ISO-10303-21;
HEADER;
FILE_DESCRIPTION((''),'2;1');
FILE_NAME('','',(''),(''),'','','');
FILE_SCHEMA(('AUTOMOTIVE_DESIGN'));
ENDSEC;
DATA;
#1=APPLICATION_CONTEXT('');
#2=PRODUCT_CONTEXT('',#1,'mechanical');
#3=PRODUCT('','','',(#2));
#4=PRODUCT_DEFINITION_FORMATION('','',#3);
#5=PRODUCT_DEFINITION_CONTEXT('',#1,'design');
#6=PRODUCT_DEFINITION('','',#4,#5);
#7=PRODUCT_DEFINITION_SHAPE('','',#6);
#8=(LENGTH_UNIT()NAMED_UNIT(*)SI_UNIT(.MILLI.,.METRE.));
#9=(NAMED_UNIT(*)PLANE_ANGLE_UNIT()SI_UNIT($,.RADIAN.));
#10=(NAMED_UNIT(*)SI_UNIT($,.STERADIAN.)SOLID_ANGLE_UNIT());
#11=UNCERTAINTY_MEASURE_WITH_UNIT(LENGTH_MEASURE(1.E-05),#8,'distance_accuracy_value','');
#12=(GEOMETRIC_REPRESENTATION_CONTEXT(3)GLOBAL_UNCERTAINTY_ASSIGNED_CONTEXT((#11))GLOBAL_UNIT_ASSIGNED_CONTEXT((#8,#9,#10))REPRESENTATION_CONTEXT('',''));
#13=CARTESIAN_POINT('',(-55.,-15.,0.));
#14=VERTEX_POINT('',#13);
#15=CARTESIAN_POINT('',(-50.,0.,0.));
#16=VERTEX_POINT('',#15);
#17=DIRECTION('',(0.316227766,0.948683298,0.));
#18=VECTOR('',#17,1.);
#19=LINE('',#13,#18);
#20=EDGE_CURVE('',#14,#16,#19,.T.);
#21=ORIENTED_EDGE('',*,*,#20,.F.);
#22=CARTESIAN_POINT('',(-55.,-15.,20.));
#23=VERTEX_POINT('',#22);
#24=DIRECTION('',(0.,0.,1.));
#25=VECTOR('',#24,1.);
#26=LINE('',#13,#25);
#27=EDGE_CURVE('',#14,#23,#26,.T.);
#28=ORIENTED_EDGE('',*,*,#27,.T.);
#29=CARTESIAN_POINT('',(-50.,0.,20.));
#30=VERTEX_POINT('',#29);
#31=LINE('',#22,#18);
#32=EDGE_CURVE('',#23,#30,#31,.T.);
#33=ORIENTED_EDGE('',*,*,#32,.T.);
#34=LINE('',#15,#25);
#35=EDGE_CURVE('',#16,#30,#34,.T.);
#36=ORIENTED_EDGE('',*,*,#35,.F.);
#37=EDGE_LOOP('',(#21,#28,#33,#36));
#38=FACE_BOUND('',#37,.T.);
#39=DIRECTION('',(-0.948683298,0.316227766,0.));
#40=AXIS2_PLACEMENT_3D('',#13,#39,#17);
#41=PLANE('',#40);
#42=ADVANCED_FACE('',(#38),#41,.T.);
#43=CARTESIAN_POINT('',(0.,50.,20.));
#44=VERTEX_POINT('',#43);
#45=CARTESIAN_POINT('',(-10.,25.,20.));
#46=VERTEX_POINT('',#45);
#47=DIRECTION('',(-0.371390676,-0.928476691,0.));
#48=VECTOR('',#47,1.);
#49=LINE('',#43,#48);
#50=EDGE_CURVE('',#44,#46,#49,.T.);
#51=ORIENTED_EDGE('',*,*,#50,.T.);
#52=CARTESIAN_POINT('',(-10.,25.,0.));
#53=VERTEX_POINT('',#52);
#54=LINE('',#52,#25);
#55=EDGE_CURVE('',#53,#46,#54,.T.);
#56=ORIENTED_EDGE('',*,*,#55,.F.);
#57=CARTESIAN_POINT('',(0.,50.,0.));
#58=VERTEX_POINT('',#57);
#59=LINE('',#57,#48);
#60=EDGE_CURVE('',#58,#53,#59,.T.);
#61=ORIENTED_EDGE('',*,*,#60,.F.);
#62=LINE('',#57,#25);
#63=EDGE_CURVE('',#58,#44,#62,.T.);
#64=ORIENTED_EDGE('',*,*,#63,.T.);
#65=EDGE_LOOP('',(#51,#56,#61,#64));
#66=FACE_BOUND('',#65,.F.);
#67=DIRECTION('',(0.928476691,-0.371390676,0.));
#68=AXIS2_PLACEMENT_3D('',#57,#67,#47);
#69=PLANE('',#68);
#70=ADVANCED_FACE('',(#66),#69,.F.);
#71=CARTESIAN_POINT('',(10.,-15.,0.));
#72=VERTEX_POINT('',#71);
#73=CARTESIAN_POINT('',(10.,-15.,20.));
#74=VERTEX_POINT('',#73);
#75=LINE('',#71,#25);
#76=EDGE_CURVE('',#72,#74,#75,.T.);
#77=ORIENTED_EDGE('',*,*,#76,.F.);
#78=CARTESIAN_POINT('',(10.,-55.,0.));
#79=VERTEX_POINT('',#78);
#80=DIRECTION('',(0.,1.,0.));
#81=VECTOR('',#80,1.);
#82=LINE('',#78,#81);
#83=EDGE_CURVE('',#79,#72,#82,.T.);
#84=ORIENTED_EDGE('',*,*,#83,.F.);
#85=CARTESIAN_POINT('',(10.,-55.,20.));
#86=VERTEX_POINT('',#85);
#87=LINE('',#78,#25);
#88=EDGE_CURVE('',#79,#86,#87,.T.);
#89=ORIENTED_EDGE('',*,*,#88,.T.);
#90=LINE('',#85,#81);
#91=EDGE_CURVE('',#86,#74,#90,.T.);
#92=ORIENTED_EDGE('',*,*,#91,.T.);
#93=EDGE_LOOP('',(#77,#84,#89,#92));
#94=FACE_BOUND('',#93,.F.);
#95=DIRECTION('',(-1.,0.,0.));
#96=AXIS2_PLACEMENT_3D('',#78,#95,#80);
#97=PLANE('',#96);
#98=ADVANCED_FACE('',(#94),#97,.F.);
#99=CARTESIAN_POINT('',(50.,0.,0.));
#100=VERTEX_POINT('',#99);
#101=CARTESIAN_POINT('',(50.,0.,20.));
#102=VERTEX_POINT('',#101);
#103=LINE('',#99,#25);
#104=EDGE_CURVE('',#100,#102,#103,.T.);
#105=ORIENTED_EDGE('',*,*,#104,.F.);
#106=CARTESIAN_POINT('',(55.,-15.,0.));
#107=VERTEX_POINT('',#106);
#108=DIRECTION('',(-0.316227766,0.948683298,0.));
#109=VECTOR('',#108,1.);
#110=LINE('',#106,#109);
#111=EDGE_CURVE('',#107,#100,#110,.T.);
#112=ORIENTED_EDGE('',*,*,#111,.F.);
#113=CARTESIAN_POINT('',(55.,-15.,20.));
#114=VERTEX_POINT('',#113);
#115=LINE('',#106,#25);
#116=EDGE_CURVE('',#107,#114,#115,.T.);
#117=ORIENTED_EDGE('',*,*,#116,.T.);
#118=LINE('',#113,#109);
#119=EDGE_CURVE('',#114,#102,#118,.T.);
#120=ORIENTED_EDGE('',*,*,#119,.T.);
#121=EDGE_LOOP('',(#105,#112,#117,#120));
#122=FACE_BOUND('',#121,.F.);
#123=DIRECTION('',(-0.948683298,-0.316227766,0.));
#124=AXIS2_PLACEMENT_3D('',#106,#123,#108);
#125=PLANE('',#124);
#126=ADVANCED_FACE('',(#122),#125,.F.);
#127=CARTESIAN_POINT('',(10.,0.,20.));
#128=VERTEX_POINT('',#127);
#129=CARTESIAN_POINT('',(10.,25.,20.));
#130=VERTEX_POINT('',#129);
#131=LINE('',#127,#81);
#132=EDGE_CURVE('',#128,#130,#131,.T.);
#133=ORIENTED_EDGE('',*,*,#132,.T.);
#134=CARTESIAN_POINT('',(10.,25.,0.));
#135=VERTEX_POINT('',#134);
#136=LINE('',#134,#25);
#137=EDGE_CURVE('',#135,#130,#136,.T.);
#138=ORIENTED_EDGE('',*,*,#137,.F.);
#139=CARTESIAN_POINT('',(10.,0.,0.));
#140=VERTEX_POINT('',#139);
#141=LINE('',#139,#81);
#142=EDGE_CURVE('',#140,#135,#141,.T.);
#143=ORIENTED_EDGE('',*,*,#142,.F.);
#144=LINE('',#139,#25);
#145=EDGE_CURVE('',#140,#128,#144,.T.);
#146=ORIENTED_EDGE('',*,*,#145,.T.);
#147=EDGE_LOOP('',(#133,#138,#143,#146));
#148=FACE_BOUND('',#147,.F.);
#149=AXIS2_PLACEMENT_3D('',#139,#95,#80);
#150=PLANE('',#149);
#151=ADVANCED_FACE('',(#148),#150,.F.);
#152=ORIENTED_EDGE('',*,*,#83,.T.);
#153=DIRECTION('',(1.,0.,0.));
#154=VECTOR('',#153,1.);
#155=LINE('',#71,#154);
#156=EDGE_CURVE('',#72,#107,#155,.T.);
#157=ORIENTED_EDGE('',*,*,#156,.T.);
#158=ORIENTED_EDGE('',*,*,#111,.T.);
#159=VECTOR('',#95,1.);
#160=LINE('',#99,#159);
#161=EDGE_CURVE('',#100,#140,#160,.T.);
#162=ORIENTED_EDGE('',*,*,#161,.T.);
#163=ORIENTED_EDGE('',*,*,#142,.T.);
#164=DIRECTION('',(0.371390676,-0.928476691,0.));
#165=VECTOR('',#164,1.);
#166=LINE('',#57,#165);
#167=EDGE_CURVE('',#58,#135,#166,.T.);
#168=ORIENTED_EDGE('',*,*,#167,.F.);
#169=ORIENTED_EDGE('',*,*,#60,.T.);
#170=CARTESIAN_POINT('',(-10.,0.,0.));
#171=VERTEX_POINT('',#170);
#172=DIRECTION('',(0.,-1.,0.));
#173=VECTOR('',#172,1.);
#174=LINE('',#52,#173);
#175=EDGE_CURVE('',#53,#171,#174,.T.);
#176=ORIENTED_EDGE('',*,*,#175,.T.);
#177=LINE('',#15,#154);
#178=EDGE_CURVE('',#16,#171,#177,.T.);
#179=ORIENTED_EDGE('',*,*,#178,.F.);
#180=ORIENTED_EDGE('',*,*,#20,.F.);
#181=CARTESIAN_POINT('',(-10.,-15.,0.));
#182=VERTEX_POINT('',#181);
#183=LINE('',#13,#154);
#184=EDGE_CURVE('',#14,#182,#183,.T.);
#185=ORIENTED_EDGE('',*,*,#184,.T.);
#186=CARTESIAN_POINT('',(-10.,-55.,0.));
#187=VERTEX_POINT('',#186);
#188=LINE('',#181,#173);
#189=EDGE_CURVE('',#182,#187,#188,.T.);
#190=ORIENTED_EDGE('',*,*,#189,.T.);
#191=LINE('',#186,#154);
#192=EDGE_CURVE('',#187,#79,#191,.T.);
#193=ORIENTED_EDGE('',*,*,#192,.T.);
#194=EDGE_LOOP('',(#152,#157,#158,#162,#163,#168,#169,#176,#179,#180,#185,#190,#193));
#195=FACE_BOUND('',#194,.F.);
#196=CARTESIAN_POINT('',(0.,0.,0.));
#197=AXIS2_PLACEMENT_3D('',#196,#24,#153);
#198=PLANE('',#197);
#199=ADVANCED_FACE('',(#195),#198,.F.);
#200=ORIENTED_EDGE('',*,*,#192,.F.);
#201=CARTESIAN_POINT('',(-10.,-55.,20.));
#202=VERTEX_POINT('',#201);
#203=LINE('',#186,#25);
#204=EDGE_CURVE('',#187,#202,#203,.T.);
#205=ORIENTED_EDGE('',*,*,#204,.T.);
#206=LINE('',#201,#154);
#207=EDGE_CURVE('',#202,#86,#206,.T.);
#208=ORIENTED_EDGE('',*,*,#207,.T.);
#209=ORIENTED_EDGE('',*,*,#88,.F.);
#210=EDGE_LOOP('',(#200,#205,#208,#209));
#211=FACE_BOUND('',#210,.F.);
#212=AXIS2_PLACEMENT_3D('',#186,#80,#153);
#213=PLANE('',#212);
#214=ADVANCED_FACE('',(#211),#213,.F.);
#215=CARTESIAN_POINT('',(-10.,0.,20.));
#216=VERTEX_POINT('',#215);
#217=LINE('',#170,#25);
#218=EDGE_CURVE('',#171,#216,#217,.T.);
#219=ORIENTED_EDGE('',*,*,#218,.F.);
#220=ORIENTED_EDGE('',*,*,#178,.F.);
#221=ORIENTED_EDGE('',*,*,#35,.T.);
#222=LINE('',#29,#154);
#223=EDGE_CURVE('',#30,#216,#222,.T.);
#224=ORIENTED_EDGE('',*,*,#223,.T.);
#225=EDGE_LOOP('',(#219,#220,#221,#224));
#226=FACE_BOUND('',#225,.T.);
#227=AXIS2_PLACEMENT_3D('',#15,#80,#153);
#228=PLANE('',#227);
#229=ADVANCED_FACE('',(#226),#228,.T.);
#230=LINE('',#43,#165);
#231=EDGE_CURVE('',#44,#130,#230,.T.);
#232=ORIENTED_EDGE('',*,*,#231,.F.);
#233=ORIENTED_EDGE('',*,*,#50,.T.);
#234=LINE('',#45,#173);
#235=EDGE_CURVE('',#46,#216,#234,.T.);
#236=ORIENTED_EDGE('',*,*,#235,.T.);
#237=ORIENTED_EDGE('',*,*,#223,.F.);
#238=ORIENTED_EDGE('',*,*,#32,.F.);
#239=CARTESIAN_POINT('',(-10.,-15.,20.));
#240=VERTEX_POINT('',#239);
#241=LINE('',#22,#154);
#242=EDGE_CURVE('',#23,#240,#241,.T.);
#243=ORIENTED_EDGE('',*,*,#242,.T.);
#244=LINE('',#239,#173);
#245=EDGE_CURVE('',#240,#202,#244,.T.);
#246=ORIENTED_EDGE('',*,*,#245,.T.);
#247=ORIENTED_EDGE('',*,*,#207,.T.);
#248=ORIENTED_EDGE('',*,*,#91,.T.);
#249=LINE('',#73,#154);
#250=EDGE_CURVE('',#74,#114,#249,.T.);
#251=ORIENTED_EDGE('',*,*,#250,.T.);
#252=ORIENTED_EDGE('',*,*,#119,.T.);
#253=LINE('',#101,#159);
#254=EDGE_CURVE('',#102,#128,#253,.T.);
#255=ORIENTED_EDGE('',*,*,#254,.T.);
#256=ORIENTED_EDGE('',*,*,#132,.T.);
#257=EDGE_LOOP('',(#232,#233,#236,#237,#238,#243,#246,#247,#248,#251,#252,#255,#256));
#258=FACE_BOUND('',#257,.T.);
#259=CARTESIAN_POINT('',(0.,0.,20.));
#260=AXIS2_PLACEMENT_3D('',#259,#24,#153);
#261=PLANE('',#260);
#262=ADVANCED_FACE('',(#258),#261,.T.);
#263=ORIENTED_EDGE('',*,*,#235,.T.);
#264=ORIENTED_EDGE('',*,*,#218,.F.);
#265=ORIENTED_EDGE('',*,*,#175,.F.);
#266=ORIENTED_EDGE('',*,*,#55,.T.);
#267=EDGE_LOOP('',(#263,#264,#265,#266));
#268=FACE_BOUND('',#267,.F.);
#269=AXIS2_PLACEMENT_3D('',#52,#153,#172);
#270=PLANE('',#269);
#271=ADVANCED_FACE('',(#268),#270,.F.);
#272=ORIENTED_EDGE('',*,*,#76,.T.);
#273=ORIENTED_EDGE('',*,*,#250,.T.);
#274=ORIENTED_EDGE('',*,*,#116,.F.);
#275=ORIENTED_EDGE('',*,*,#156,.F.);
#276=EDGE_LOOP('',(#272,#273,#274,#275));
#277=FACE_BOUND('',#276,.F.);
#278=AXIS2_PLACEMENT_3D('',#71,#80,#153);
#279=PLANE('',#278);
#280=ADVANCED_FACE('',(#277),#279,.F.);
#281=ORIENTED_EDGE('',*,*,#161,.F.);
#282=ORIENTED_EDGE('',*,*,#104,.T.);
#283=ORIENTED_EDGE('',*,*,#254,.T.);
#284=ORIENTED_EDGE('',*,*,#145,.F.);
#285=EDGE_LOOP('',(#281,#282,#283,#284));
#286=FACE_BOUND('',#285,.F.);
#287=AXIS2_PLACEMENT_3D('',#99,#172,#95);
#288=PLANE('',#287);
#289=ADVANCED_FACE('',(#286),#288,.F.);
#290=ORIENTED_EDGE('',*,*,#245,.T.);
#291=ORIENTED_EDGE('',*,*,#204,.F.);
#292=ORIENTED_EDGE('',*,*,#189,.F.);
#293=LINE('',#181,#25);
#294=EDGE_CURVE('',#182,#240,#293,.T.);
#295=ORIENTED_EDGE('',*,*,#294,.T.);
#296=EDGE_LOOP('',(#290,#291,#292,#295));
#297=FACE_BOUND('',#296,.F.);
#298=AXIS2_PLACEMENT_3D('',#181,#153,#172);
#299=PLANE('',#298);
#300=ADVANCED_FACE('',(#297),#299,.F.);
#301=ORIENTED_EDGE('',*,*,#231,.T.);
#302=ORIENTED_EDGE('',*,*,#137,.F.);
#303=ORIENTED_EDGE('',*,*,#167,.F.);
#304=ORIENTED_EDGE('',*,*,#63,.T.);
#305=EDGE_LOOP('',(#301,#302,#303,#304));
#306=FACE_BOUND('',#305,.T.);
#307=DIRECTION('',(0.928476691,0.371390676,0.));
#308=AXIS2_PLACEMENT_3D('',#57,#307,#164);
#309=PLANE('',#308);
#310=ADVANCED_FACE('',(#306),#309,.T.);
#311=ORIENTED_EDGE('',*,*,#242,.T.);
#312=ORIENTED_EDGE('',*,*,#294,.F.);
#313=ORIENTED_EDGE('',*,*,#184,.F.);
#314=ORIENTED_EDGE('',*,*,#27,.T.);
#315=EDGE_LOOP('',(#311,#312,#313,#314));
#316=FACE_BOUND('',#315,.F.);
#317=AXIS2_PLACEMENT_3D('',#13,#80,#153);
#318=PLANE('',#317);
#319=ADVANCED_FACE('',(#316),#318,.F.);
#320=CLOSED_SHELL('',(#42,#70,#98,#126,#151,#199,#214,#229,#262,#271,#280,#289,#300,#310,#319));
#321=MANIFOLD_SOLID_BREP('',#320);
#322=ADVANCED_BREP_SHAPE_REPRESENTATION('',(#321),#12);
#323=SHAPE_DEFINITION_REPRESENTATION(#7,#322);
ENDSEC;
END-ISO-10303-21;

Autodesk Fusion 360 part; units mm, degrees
sketch "Sketch1" plane through (0, 0, 0) normal (0, 0, 1) x (1, 0, 0)
  line L0 (0, 50) -> (-10, 25)
  line L1 (-10, 25) -> (-10, 0)
  line L2 (-50, 0) -> (-10, 0)
  line L3 (0, 50) -> (10, 25)
  line L4 (10, 0) -> (10, 25)
  line L5 (50, 0) -> (10, 0)
  line L6 (-55, -15) -> (-50, 0)
  line L7 (55, -15) -> (50, 0)
  line L8 (-10, -15) -> (-10, -55)
  line L9 (10, -55) -> (10, -15)
  line L10 (-55, -15) -> (-10, -15)
  line L11 (10, -15) -> (55, -15)
  line L12 (-10, -55) -> (10, -55)
extrude "Extrude1" add sketch "Sketch1" along normal blind 20
